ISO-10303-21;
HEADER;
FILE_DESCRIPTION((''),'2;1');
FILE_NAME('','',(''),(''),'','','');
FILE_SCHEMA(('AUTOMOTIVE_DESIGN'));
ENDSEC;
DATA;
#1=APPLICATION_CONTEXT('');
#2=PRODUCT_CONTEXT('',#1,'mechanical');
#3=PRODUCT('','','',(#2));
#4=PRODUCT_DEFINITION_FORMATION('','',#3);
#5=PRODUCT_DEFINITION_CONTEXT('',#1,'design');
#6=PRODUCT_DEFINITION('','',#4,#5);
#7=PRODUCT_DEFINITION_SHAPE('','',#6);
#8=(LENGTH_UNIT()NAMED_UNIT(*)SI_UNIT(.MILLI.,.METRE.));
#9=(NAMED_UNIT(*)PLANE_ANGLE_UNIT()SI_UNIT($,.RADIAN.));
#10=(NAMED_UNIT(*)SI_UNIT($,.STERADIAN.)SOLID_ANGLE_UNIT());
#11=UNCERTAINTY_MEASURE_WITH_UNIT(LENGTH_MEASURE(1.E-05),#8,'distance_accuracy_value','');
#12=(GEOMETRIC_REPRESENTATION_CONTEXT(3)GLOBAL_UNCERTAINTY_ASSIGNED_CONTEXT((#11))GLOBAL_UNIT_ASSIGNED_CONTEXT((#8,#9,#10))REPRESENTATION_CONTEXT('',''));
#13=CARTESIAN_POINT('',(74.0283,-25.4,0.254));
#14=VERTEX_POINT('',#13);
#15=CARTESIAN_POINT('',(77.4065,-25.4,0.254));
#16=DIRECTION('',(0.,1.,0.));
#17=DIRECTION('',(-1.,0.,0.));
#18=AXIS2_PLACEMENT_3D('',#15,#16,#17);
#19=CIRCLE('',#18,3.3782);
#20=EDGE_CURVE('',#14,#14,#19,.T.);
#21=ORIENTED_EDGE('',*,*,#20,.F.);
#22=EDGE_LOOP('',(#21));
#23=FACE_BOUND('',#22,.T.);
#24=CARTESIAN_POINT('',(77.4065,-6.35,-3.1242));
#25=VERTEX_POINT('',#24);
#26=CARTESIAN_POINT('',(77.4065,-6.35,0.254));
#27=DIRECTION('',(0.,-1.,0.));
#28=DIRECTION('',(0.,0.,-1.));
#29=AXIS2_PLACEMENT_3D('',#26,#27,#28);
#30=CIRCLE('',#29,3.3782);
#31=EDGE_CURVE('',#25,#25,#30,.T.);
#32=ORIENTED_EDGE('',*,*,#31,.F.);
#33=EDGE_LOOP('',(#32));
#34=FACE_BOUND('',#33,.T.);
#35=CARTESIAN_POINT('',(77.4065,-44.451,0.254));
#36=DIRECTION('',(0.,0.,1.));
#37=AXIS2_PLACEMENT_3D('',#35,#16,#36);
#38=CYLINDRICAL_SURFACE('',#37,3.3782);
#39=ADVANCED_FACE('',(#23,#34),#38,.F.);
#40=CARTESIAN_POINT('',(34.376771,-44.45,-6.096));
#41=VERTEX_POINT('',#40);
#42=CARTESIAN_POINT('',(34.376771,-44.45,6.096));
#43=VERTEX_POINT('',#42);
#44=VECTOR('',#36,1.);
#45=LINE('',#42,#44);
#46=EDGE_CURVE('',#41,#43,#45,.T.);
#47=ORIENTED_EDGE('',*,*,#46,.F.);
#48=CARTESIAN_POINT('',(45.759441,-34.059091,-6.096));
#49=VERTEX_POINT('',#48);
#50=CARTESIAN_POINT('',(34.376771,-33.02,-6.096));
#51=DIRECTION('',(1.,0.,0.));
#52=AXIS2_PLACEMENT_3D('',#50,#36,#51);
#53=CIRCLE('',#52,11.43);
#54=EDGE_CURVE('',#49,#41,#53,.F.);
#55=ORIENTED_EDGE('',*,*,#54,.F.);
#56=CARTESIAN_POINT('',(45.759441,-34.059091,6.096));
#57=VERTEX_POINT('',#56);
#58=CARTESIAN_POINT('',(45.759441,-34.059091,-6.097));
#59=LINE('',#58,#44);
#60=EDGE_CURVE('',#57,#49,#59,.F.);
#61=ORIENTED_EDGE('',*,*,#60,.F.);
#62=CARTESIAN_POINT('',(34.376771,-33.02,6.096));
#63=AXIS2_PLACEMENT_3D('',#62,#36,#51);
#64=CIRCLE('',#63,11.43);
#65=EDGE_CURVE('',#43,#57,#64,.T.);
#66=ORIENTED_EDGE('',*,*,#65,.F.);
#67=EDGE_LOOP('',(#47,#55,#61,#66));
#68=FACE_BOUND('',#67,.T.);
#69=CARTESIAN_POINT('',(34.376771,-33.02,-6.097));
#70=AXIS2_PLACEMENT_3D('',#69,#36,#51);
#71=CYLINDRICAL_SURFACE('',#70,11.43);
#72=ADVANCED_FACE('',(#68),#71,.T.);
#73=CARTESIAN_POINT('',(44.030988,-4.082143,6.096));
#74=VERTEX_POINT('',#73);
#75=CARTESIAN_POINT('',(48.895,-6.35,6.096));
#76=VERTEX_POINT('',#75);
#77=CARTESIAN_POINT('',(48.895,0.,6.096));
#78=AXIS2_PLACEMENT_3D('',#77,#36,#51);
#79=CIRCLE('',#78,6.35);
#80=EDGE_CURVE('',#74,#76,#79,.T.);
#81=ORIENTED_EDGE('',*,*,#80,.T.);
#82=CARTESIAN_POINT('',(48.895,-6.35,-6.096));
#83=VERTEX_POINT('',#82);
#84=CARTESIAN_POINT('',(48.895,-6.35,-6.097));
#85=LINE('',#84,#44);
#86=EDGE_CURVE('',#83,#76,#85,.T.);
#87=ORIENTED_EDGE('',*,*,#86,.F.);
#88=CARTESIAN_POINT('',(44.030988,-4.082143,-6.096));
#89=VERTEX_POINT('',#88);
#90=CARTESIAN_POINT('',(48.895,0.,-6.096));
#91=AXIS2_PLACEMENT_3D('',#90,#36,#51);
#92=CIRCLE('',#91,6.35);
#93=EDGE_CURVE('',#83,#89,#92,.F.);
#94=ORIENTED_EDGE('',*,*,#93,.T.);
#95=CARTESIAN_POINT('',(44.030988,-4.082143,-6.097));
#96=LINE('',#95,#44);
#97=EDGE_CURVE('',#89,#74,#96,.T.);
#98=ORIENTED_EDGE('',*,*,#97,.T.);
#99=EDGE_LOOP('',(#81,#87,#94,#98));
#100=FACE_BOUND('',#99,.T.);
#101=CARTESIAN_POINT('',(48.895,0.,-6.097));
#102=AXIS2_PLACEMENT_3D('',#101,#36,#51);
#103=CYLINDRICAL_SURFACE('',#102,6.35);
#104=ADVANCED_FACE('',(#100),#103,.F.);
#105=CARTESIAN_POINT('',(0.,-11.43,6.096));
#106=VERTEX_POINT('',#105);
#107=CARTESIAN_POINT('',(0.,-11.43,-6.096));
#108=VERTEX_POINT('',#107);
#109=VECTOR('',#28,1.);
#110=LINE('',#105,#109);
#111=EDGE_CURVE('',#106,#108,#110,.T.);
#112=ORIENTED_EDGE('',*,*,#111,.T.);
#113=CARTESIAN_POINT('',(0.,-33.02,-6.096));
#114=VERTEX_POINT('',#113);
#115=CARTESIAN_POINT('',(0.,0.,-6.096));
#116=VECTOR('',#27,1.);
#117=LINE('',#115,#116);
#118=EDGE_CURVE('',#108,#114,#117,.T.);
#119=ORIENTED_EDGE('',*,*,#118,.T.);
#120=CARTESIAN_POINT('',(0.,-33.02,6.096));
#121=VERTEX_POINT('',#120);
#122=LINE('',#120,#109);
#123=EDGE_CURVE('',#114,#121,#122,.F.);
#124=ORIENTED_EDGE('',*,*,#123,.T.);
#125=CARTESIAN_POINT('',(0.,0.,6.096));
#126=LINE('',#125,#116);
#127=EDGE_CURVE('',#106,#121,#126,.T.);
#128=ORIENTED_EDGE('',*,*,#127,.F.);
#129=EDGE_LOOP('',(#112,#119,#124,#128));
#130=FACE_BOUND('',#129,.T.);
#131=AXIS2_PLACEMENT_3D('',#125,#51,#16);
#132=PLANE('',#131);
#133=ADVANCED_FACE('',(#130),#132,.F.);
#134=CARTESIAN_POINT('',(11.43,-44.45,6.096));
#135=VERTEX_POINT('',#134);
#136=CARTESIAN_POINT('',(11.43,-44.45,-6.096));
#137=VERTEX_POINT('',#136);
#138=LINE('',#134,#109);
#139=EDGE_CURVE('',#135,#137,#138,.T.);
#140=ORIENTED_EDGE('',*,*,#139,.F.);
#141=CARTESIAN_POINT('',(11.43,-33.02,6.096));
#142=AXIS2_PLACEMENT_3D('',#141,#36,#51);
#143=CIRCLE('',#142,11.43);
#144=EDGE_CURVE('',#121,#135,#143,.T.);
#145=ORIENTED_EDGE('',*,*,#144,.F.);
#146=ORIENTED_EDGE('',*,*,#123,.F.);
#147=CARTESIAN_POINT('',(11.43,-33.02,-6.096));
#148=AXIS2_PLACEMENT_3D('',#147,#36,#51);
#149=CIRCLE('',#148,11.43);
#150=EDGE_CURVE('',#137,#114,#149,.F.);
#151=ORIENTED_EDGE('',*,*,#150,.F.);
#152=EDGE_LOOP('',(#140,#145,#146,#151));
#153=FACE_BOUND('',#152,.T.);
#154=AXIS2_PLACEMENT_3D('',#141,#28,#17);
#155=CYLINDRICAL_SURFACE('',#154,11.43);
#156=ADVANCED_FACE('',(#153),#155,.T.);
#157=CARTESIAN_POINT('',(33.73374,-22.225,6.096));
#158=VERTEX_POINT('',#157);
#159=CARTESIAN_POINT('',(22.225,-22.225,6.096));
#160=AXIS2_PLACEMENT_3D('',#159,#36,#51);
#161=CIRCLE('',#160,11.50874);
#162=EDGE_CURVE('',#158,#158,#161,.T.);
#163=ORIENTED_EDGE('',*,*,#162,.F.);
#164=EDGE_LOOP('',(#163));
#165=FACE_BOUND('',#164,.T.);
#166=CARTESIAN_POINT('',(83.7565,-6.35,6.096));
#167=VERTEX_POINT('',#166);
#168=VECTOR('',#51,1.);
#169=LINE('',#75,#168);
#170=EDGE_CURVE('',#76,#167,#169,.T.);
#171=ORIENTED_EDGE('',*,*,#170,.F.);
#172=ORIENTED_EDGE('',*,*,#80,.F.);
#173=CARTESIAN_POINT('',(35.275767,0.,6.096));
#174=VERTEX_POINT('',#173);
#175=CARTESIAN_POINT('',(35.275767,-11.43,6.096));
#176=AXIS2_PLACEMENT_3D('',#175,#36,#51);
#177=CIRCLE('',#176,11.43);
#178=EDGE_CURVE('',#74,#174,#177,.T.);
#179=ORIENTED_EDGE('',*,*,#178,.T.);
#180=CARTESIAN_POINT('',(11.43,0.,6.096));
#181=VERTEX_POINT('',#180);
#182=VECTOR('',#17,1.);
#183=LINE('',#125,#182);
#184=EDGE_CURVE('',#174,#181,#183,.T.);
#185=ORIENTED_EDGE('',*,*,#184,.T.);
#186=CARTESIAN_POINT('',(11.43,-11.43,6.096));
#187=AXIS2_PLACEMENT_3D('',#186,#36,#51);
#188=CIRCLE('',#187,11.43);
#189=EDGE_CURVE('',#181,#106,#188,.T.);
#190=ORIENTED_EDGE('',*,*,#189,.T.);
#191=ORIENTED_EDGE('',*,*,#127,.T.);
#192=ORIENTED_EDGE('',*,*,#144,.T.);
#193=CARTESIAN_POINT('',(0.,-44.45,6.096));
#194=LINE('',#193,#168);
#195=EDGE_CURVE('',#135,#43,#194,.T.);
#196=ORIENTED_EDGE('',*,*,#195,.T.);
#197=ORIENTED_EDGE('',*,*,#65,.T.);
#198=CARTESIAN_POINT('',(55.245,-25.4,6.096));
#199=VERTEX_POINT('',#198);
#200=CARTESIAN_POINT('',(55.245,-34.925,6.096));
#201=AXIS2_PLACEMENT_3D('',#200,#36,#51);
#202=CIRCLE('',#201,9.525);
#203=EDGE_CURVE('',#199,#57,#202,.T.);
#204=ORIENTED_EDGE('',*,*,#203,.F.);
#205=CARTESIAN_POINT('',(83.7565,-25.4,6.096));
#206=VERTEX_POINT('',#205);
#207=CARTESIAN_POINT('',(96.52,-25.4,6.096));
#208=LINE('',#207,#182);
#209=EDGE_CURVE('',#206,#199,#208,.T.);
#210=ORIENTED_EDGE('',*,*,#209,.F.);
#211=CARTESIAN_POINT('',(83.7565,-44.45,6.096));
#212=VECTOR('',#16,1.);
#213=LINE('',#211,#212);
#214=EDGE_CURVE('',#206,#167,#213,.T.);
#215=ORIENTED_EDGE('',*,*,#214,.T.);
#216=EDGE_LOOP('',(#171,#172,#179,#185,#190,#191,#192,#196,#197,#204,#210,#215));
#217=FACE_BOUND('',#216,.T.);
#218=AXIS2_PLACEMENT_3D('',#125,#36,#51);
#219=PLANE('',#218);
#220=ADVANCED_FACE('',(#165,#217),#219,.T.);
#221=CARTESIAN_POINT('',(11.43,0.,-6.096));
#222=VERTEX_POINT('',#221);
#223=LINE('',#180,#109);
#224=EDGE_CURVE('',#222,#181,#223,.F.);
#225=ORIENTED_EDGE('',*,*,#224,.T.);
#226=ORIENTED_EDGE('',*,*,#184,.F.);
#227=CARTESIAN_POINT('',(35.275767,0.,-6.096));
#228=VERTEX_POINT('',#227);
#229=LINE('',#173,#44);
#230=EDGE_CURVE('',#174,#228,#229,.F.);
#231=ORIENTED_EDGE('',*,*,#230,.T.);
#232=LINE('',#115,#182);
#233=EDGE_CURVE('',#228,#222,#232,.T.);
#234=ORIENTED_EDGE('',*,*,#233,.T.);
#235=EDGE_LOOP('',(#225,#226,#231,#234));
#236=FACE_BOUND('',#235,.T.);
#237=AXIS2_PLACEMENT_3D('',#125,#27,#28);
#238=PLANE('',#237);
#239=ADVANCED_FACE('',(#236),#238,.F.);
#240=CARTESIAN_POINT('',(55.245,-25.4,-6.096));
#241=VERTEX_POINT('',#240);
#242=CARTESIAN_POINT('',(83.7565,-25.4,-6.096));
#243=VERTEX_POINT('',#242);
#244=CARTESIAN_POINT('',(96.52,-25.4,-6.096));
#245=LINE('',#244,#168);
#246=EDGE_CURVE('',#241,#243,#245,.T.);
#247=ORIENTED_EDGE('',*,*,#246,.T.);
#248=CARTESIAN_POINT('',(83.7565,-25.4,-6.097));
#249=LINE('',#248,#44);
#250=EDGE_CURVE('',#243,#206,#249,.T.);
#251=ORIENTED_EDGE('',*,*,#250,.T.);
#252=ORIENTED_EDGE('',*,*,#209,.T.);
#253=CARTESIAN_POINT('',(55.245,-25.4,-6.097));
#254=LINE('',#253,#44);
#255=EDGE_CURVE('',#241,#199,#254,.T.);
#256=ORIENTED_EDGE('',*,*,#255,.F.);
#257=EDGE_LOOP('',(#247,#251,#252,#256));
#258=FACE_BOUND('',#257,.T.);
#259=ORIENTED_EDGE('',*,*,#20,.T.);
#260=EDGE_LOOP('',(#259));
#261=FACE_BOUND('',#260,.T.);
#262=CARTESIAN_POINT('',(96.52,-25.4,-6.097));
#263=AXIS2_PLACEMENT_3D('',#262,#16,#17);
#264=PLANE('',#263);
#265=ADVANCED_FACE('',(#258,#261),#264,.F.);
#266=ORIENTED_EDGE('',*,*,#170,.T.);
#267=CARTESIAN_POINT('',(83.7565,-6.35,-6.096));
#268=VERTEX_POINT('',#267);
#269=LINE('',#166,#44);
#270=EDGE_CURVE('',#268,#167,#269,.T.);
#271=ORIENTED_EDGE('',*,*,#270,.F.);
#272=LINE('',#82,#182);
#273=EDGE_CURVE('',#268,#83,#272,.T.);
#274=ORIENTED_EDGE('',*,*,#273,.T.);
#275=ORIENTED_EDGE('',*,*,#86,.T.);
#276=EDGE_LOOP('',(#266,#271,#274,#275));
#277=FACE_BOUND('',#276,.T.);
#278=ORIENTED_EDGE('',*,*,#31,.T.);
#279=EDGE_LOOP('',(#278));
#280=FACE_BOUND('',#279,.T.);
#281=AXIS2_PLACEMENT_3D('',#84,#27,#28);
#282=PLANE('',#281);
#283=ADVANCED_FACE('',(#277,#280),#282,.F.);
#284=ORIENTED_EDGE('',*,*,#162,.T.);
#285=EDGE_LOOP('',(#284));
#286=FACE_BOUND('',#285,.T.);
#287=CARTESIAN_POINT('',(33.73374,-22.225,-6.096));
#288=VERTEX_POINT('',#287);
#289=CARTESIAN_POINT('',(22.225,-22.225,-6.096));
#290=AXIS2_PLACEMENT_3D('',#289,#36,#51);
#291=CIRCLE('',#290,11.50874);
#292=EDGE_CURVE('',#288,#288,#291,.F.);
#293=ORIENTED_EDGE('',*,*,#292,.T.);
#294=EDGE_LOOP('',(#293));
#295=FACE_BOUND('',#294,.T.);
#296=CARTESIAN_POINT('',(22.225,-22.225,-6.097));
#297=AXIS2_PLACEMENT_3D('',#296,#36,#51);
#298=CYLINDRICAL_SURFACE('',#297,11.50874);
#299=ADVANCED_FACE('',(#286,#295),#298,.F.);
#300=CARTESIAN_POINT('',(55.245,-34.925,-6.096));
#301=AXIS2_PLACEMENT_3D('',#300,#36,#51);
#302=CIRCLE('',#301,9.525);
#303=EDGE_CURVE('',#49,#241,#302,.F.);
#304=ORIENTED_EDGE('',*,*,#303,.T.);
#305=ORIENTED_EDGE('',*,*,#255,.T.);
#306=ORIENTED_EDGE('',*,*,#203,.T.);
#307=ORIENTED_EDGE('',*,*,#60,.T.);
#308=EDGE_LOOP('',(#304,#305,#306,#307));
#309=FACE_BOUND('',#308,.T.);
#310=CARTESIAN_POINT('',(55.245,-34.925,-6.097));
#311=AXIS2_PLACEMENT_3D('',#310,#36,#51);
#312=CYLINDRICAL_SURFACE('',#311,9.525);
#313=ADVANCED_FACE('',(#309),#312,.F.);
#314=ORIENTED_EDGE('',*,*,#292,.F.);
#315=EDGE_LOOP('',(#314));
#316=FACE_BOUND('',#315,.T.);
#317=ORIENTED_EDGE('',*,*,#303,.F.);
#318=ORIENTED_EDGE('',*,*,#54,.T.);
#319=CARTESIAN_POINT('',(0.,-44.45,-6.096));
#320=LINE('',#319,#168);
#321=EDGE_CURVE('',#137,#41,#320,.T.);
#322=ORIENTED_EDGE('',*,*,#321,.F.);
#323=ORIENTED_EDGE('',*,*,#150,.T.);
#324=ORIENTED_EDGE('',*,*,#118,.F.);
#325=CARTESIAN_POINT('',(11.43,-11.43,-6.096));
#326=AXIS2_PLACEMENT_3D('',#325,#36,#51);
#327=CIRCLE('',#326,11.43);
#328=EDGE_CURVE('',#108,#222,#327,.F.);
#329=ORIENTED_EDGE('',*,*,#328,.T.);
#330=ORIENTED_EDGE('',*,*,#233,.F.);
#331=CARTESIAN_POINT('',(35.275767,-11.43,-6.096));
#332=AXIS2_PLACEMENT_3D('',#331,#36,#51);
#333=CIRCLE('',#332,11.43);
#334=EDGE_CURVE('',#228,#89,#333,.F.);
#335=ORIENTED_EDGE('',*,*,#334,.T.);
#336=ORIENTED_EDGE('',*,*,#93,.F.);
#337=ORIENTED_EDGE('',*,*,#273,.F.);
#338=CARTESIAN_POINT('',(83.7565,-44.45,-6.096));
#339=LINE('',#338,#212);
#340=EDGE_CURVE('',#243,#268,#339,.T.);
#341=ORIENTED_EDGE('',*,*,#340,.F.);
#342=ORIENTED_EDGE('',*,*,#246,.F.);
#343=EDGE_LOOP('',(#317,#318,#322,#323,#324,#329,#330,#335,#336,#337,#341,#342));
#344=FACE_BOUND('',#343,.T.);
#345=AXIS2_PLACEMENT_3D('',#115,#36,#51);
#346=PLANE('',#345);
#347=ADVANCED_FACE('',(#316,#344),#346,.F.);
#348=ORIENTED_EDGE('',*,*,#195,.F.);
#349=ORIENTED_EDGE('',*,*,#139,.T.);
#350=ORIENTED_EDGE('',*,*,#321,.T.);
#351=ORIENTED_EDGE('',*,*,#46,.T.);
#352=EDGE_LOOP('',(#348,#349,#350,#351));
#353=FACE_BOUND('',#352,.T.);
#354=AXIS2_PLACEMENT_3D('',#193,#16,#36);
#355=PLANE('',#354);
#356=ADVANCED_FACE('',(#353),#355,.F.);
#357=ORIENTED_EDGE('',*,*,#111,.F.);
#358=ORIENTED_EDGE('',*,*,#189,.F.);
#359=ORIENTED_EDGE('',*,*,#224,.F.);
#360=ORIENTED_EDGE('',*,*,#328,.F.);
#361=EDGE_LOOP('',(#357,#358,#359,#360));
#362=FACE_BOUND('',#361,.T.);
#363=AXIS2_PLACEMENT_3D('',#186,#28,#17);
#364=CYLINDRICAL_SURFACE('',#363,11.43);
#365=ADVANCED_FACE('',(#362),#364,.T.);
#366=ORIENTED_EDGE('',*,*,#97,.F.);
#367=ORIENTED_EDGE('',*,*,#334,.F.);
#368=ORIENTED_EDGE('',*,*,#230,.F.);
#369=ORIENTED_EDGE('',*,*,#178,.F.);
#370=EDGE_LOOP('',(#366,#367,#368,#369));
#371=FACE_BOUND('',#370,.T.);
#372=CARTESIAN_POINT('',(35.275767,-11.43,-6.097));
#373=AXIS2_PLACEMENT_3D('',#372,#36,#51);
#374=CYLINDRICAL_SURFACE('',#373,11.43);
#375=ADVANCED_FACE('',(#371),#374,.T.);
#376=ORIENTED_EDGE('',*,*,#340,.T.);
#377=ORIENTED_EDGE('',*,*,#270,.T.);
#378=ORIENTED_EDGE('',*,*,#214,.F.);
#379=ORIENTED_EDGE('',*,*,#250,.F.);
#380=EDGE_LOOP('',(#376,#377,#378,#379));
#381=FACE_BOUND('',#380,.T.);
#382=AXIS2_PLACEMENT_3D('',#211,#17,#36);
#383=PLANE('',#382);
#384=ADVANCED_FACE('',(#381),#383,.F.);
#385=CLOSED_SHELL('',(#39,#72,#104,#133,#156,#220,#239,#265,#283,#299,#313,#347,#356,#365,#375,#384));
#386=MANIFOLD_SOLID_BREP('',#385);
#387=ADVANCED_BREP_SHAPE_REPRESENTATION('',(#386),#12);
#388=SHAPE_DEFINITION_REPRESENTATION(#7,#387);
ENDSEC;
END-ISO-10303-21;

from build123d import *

# Parameters (mm, degrees)
SKETCH1_W           = 96.52
SKETCH1_H           = 44.45
BOSS_EXTRUDE1_DEPTH = 6.096
CUT_EXTRUDE1_REACH  = 108.961
SKETCH2_R           = 11.50874
CUT_EXTRUDE2_REACH  = 108.438
SKETCH3_R           = 3.3782
CUT_EXTRUDE3_REACH  = 108.961
SKETCH7_W           = 12.7635
SKETCH7_H           = 12.192
CUT_EXTRUDE5_DEPTH  = 104.946532487
FILLET1_R           = 11.43


with BuildPart() as part:
    # Sketch1 → Boss-Extrude1 (new, symmetric)
    with BuildSketch(Plane.XY):
        with Locations((48.26, -22.225)):
            Rectangle(SKETCH1_W, SKETCH1_H)
    extrude(amount=BOSS_EXTRUDE1_DEPTH, both=True)

    # Sketch2 → Cut-Extrude1 (cut, up to next)
    with BuildSketch(Plane.XY.offset(6.096), mode=Mode.PRIVATE) as cut_extrude1_sk1:
        with Locations((22.225, -22.225)):
            Circle(SKETCH2_R)
    cut_extrude1_tool1 = extrude(cut_extrude1_sk1.sketch, amount=-CUT_EXTRUDE1_REACH, mode=Mode.PRIVATE) & part.part
    add(cut_extrude1_tool1.solids().sort_by_distance((22.225, -22.225, 6.096))[0], mode=Mode.SUBTRACT)

    # Sketch3 → Cut-Extrude2 (cut, up to next)
    with BuildSketch(Plane(origin=(0, 0, 0), x_dir=(1, 0, 0), z_dir=(0, 1, 0)), mode=Mode.PRIVATE) as cut_extrude2_sk1:
        with Locations(Location((77.4065, -0.254, 0), (0, 0, 270))):
            Circle(SKETCH3_R)
    cut_extrude2_tool1 = extrude(cut_extrude2_sk1.sketch, amount=-CUT_EXTRUDE2_REACH, mode=Mode.PRIVATE) & part.part
    add(cut_extrude2_tool1.solids().sort_by_distance((77.4065, 0, 0.254))[0], mode=Mode.SUBTRACT)

    # Sketch4 → Cut-Extrude3 (cut, up to next)
    with BuildSketch(Plane.XY.offset(6.096), mode=Mode.PRIVATE) as cut_extrude3_sk1:
        with BuildLine():
            Line((48.895, 6.35), (96.52, 6.35))
            ThreePointArc((96.52, 6.35), (102.87, 0), (96.52, -6.35))
            Line((96.52, -6.35), (48.895, -6.35))
            ThreePointArc((48.895, -6.35), (42.545, 0), (48.895, 6.35))
        make_face()
    cut_extrude3_tool1 = extrude(cut_extrude3_sk1.sketch, amount=-CUT_EXTRUDE3_REACH, mode=Mode.PRIVATE) & part.part
    # Sketch4 → Cut-Extrude3 (cut, up to next)
    with BuildSketch(Plane.XY.offset(6.096), mode=Mode.PRIVATE) as cut_extrude3_sk2:
        with BuildLine():
            Line((45.72, -34.925), (45.72, -44.45))
            Line((45.72, -44.45), (55.245, -44.45))
            Line((55.245, -44.45), (96.52, -44.45))
            ThreePointArc((96.52, -44.45), (106.045, -34.925), (96.52, -25.4))
            Line((96.52, -25.4), (55.245, -25.4))
            ThreePointArc((55.245, -25.4), (48.509807909, -28.189807909), (45.72, -34.925))
        make_face()
    cut_extrude3_tool2 = extrude(cut_extrude3_sk2.sketch, amount=-CUT_EXTRUDE3_REACH, mode=Mode.PRIVATE) & part.part
    add(cut_extrude3_tool1.solids().sort_by_distance((72.7075, 0, 6.096))[0], mode=Mode.SUBTRACT)
    add(cut_extrude3_tool2.solids().sort_by_distance((75.382091, -35.05704, 6.096))[0], mode=Mode.SUBTRACT)

    # Sketch7 → Cut-Extrude5 (cut, through all)
    with BuildSketch(Plane(origin=(0, -6.35, 0), x_dir=(1, 0, 0), z_dir=(0, 1, 0))):
        with Locations((90.13825, 0)):
            Rectangle(SKETCH7_W, SKETCH7_H)
    extrude(amount=-CUT_EXTRUDE5_DEPTH, mode=Mode.SUBTRACT)

    # Fillet1
    fillet1_edges = [part.edges().sort_by_distance(p)[0] for p in [
        (42.545, 0, 0),
        (45.72, -44.45, 0),
        (0, -44.45, 0),
        (0, 0, 0),
    ]]
    fillet(fillet1_edges, radius=FILLET1_R)


solid = part.part
